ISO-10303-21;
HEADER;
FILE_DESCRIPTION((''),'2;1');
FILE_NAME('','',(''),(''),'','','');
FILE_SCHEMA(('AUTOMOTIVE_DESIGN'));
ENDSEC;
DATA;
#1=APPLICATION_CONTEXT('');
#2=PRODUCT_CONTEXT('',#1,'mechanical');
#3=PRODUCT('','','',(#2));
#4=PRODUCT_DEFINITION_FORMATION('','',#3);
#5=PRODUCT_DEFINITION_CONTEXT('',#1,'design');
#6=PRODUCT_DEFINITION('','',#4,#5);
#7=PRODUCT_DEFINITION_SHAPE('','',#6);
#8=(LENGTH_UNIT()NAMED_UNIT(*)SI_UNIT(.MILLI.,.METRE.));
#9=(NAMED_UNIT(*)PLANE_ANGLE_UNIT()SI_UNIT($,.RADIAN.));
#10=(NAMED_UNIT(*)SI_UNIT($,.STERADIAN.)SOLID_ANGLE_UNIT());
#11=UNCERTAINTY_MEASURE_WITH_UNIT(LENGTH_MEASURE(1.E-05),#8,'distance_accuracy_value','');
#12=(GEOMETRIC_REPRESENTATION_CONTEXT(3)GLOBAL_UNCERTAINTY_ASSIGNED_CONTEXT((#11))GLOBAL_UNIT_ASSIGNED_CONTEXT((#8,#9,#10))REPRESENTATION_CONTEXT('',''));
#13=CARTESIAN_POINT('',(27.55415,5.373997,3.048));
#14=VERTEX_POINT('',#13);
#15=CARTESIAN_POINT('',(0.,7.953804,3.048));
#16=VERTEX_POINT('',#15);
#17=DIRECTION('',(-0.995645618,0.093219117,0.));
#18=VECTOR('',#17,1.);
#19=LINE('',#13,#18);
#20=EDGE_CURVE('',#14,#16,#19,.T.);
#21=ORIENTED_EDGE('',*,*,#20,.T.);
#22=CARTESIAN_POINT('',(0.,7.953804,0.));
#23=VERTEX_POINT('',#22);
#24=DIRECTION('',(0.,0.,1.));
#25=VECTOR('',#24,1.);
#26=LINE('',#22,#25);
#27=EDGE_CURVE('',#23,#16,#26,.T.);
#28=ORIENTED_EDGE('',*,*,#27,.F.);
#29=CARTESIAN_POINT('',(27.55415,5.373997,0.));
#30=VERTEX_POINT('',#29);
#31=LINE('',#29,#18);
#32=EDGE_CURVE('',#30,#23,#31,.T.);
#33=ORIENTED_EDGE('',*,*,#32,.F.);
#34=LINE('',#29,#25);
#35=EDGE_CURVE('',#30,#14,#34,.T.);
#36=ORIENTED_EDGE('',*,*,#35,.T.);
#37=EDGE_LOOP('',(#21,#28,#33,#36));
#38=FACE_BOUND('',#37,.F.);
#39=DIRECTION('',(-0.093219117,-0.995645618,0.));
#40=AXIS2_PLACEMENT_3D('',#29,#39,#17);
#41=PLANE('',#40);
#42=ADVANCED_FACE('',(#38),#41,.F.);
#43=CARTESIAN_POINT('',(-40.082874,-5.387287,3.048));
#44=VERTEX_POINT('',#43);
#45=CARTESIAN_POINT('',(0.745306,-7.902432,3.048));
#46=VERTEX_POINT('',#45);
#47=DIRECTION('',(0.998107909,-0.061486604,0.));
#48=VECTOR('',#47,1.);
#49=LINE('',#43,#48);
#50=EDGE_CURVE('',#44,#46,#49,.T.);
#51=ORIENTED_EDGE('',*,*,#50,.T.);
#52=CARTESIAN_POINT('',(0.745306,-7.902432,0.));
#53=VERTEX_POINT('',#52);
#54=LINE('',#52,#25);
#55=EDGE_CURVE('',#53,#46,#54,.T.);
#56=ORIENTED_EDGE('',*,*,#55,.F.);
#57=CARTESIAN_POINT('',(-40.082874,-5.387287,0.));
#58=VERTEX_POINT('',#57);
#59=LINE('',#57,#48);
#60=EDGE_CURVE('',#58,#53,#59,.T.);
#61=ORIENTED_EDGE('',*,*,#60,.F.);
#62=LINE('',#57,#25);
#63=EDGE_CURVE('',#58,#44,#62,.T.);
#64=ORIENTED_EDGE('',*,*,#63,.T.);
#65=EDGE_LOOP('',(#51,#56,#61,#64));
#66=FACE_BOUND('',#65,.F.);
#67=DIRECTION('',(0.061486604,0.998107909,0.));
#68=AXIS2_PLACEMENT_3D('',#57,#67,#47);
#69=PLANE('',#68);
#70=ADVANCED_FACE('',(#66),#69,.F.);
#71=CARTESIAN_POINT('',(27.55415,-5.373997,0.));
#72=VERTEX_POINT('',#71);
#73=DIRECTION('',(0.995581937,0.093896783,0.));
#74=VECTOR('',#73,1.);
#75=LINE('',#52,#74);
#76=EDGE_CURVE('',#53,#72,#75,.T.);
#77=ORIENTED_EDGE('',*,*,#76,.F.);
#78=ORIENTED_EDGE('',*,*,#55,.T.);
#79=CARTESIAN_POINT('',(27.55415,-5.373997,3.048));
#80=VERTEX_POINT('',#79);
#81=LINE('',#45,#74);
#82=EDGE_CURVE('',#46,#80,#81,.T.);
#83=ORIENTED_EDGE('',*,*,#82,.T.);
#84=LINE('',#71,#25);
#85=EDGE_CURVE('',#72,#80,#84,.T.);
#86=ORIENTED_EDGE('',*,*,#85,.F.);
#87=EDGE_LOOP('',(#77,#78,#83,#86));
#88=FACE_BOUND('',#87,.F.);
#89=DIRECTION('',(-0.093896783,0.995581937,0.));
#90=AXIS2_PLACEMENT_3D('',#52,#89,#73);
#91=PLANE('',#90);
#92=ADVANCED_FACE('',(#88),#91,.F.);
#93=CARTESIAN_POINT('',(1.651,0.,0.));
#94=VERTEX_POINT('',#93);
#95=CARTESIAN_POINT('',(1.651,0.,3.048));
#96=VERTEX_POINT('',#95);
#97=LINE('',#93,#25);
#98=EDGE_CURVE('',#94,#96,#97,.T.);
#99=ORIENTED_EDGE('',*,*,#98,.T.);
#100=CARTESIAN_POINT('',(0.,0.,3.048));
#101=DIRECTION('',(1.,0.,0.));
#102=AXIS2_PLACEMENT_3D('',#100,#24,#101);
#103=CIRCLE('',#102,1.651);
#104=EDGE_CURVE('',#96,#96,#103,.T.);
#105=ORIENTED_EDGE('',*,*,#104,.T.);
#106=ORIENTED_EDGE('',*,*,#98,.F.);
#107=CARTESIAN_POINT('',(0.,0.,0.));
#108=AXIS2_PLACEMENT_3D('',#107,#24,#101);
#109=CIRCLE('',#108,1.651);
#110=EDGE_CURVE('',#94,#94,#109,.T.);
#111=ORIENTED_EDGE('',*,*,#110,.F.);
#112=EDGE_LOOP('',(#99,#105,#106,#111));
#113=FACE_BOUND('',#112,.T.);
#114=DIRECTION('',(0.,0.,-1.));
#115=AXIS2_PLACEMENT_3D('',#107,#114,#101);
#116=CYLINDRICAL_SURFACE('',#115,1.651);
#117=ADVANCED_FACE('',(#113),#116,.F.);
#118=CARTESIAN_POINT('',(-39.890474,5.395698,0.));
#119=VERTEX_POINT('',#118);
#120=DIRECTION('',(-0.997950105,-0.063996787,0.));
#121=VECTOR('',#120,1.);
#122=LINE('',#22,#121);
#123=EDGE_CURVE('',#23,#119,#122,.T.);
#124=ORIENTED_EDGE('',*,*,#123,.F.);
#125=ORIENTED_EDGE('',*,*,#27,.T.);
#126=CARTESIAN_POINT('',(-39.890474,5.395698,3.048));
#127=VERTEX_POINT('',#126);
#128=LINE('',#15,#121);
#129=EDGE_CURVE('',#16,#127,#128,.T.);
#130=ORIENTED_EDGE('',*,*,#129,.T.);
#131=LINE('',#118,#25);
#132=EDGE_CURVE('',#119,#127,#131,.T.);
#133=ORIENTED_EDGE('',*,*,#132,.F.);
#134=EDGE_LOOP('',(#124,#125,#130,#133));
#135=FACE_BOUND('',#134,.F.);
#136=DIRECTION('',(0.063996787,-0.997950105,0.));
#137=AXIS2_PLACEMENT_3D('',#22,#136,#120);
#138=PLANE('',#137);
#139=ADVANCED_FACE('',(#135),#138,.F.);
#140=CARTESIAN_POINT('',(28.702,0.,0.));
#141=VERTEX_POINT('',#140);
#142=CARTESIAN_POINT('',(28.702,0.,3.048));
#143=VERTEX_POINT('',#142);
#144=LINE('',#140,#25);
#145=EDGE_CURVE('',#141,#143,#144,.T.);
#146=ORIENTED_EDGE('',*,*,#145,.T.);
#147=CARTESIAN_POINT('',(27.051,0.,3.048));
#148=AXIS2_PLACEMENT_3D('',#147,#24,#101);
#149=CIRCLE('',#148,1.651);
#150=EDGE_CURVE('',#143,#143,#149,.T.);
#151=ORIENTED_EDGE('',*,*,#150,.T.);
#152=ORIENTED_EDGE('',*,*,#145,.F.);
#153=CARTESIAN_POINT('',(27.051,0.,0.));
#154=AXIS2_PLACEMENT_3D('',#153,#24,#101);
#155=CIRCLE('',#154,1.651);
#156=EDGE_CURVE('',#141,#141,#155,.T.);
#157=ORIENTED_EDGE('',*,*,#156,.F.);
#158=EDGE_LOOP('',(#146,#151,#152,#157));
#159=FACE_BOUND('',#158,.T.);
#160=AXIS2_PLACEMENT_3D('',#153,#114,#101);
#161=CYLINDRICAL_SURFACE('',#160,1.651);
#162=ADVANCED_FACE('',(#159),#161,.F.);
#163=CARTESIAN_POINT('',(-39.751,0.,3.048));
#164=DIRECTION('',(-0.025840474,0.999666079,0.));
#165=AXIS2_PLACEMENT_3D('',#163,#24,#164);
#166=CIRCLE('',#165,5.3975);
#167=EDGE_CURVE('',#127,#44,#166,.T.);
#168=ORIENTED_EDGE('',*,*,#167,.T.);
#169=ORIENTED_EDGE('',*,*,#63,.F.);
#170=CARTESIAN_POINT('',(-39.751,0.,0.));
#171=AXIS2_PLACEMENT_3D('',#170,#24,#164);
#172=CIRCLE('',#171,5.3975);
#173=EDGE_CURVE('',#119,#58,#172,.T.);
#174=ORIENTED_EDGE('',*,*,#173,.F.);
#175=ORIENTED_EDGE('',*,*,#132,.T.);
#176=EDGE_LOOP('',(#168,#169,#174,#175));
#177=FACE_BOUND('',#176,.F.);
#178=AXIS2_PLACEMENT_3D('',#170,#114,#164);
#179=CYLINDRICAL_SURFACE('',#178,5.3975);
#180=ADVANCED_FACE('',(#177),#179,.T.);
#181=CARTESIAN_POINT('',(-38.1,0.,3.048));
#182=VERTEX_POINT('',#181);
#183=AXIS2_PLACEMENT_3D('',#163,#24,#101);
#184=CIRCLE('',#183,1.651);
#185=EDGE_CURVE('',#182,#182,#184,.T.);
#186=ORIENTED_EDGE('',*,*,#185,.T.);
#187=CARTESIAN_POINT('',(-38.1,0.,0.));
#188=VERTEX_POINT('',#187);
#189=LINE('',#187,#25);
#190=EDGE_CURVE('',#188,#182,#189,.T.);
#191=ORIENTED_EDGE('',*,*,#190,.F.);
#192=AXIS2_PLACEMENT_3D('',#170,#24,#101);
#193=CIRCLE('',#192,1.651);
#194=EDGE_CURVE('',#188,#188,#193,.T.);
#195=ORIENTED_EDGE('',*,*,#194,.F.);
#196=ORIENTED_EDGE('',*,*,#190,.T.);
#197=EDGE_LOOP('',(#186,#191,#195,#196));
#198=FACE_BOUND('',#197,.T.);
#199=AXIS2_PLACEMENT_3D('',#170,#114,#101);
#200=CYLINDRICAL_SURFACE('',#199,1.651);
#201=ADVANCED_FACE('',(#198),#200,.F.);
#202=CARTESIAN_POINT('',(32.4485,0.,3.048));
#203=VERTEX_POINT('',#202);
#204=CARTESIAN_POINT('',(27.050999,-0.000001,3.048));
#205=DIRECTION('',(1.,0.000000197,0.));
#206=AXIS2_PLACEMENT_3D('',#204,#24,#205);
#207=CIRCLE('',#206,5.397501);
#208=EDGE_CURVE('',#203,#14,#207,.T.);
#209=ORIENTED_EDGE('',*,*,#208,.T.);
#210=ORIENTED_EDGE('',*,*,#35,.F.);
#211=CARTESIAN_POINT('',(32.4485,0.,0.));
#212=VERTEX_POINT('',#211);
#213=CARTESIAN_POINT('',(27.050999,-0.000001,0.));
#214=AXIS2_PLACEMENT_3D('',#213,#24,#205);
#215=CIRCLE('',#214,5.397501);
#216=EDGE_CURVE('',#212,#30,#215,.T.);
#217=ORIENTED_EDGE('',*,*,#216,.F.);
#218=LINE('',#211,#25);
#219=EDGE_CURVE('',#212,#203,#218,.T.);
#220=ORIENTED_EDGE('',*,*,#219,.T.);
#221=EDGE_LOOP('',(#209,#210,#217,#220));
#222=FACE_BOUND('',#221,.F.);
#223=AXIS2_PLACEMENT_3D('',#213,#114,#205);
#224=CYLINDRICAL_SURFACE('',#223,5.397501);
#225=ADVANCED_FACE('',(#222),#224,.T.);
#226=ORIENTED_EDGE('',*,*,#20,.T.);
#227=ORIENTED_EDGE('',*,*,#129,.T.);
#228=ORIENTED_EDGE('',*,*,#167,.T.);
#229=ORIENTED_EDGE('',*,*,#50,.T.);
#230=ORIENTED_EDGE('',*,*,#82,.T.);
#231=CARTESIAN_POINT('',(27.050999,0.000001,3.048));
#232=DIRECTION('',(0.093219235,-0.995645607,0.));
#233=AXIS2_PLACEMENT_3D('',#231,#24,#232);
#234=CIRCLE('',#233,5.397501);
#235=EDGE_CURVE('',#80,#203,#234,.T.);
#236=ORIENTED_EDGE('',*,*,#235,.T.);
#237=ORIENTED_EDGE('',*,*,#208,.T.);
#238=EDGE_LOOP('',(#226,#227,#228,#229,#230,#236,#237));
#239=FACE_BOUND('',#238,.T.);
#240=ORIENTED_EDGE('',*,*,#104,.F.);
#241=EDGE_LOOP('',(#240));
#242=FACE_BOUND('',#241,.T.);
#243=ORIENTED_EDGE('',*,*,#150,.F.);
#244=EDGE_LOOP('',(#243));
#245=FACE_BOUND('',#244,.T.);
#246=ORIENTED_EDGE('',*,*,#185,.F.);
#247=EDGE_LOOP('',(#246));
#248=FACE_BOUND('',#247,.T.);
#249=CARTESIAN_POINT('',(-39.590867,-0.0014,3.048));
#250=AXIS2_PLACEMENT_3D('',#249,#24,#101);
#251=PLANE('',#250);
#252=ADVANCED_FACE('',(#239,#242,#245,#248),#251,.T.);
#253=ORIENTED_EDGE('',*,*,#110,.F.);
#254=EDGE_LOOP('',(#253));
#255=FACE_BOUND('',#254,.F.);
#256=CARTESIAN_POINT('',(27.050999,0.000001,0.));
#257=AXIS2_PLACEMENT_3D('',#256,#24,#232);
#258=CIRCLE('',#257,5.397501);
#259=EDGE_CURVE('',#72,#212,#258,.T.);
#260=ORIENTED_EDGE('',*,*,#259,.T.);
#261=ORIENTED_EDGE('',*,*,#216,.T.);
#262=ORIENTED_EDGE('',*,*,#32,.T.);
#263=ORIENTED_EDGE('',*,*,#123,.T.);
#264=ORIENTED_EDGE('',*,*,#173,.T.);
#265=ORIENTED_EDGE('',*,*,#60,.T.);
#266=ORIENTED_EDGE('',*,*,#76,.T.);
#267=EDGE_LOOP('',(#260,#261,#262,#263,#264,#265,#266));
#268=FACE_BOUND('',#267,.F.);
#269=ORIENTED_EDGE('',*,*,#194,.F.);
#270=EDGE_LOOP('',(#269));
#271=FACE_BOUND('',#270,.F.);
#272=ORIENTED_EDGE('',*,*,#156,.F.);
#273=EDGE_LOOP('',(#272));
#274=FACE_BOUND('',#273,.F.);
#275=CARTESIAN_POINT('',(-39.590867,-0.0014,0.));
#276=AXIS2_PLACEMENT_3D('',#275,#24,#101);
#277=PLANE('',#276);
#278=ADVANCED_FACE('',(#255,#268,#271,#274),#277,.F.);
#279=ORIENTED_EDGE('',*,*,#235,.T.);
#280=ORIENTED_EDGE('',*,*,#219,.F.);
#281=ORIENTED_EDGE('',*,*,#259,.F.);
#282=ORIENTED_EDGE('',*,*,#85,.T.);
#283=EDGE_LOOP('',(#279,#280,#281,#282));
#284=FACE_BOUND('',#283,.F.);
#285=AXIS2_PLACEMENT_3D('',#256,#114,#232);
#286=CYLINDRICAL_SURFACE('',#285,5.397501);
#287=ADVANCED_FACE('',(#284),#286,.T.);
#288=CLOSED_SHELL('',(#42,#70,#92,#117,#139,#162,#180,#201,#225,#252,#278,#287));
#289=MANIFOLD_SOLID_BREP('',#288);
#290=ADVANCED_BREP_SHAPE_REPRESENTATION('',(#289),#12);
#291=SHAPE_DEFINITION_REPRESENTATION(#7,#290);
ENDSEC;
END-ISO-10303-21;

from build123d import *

# Parameters (mm, degrees)
F0_R     = 1.651
F1_DEPTH = 3.048


with BuildPart() as f1:
    # F0 (on Top) → F1 (new body)
    with BuildSketch(Plane.XY):
        with BuildLine():
            ThreePointArc((-40.082874, -5.387287), (-36.053588, -3.932194), (-34.3535, 0))
            ThreePointArc((-34.3535, 0), (-35.984025, 3.865606), (-39.890474, 5.395698))
            ThreePointArc((-39.890474, 5.395698), (-45.147641, 0.096292), (-40.082874, -5.387287))
        make_face()
        with Locations((-39.751, 0)):
            Circle(F0_R, mode=Mode.SUBTRACT)
        with BuildLine():
            ThreePointArc((-39.890474, 5.395698), (-35.984025, 3.865606), (-34.3535, 0))
            ThreePointArc((-34.3535, 0), (-36.053588, -3.932194), (-40.082874, -5.387287))
            Line((-40.082874, -5.387287), (0.745306, -7.902432))
            Line((0.745306, -7.902432), (27.55415, -5.373997))
            ThreePointArc((27.55415, -5.373997), (21.6535, 0), (27.55415, 5.373997))
            Line((27.55415, 5.373997), (0, 7.953804))
            Line((0, 7.953804), (-39.890474, 5.395698))
        make_face()
        Circle(F0_R, mode=Mode.SUBTRACT)
        with BuildLine():
            ThreePointArc((32.4485, 0), (31.041536, 3.634367), (27.55415, 5.373997))
            ThreePointArc((27.55415, 5.373997), (21.6535, 0), (27.55415, -5.373997))
            ThreePointArc((27.55415, -5.373997), (31.041536, -3.634367), (32.4485, 0))
        make_face()
        with Locations((27.051, 0)):
            Circle(F0_R, mode=Mode.SUBTRACT)
    extrude(amount=F1_DEPTH)


solid = f1.part
